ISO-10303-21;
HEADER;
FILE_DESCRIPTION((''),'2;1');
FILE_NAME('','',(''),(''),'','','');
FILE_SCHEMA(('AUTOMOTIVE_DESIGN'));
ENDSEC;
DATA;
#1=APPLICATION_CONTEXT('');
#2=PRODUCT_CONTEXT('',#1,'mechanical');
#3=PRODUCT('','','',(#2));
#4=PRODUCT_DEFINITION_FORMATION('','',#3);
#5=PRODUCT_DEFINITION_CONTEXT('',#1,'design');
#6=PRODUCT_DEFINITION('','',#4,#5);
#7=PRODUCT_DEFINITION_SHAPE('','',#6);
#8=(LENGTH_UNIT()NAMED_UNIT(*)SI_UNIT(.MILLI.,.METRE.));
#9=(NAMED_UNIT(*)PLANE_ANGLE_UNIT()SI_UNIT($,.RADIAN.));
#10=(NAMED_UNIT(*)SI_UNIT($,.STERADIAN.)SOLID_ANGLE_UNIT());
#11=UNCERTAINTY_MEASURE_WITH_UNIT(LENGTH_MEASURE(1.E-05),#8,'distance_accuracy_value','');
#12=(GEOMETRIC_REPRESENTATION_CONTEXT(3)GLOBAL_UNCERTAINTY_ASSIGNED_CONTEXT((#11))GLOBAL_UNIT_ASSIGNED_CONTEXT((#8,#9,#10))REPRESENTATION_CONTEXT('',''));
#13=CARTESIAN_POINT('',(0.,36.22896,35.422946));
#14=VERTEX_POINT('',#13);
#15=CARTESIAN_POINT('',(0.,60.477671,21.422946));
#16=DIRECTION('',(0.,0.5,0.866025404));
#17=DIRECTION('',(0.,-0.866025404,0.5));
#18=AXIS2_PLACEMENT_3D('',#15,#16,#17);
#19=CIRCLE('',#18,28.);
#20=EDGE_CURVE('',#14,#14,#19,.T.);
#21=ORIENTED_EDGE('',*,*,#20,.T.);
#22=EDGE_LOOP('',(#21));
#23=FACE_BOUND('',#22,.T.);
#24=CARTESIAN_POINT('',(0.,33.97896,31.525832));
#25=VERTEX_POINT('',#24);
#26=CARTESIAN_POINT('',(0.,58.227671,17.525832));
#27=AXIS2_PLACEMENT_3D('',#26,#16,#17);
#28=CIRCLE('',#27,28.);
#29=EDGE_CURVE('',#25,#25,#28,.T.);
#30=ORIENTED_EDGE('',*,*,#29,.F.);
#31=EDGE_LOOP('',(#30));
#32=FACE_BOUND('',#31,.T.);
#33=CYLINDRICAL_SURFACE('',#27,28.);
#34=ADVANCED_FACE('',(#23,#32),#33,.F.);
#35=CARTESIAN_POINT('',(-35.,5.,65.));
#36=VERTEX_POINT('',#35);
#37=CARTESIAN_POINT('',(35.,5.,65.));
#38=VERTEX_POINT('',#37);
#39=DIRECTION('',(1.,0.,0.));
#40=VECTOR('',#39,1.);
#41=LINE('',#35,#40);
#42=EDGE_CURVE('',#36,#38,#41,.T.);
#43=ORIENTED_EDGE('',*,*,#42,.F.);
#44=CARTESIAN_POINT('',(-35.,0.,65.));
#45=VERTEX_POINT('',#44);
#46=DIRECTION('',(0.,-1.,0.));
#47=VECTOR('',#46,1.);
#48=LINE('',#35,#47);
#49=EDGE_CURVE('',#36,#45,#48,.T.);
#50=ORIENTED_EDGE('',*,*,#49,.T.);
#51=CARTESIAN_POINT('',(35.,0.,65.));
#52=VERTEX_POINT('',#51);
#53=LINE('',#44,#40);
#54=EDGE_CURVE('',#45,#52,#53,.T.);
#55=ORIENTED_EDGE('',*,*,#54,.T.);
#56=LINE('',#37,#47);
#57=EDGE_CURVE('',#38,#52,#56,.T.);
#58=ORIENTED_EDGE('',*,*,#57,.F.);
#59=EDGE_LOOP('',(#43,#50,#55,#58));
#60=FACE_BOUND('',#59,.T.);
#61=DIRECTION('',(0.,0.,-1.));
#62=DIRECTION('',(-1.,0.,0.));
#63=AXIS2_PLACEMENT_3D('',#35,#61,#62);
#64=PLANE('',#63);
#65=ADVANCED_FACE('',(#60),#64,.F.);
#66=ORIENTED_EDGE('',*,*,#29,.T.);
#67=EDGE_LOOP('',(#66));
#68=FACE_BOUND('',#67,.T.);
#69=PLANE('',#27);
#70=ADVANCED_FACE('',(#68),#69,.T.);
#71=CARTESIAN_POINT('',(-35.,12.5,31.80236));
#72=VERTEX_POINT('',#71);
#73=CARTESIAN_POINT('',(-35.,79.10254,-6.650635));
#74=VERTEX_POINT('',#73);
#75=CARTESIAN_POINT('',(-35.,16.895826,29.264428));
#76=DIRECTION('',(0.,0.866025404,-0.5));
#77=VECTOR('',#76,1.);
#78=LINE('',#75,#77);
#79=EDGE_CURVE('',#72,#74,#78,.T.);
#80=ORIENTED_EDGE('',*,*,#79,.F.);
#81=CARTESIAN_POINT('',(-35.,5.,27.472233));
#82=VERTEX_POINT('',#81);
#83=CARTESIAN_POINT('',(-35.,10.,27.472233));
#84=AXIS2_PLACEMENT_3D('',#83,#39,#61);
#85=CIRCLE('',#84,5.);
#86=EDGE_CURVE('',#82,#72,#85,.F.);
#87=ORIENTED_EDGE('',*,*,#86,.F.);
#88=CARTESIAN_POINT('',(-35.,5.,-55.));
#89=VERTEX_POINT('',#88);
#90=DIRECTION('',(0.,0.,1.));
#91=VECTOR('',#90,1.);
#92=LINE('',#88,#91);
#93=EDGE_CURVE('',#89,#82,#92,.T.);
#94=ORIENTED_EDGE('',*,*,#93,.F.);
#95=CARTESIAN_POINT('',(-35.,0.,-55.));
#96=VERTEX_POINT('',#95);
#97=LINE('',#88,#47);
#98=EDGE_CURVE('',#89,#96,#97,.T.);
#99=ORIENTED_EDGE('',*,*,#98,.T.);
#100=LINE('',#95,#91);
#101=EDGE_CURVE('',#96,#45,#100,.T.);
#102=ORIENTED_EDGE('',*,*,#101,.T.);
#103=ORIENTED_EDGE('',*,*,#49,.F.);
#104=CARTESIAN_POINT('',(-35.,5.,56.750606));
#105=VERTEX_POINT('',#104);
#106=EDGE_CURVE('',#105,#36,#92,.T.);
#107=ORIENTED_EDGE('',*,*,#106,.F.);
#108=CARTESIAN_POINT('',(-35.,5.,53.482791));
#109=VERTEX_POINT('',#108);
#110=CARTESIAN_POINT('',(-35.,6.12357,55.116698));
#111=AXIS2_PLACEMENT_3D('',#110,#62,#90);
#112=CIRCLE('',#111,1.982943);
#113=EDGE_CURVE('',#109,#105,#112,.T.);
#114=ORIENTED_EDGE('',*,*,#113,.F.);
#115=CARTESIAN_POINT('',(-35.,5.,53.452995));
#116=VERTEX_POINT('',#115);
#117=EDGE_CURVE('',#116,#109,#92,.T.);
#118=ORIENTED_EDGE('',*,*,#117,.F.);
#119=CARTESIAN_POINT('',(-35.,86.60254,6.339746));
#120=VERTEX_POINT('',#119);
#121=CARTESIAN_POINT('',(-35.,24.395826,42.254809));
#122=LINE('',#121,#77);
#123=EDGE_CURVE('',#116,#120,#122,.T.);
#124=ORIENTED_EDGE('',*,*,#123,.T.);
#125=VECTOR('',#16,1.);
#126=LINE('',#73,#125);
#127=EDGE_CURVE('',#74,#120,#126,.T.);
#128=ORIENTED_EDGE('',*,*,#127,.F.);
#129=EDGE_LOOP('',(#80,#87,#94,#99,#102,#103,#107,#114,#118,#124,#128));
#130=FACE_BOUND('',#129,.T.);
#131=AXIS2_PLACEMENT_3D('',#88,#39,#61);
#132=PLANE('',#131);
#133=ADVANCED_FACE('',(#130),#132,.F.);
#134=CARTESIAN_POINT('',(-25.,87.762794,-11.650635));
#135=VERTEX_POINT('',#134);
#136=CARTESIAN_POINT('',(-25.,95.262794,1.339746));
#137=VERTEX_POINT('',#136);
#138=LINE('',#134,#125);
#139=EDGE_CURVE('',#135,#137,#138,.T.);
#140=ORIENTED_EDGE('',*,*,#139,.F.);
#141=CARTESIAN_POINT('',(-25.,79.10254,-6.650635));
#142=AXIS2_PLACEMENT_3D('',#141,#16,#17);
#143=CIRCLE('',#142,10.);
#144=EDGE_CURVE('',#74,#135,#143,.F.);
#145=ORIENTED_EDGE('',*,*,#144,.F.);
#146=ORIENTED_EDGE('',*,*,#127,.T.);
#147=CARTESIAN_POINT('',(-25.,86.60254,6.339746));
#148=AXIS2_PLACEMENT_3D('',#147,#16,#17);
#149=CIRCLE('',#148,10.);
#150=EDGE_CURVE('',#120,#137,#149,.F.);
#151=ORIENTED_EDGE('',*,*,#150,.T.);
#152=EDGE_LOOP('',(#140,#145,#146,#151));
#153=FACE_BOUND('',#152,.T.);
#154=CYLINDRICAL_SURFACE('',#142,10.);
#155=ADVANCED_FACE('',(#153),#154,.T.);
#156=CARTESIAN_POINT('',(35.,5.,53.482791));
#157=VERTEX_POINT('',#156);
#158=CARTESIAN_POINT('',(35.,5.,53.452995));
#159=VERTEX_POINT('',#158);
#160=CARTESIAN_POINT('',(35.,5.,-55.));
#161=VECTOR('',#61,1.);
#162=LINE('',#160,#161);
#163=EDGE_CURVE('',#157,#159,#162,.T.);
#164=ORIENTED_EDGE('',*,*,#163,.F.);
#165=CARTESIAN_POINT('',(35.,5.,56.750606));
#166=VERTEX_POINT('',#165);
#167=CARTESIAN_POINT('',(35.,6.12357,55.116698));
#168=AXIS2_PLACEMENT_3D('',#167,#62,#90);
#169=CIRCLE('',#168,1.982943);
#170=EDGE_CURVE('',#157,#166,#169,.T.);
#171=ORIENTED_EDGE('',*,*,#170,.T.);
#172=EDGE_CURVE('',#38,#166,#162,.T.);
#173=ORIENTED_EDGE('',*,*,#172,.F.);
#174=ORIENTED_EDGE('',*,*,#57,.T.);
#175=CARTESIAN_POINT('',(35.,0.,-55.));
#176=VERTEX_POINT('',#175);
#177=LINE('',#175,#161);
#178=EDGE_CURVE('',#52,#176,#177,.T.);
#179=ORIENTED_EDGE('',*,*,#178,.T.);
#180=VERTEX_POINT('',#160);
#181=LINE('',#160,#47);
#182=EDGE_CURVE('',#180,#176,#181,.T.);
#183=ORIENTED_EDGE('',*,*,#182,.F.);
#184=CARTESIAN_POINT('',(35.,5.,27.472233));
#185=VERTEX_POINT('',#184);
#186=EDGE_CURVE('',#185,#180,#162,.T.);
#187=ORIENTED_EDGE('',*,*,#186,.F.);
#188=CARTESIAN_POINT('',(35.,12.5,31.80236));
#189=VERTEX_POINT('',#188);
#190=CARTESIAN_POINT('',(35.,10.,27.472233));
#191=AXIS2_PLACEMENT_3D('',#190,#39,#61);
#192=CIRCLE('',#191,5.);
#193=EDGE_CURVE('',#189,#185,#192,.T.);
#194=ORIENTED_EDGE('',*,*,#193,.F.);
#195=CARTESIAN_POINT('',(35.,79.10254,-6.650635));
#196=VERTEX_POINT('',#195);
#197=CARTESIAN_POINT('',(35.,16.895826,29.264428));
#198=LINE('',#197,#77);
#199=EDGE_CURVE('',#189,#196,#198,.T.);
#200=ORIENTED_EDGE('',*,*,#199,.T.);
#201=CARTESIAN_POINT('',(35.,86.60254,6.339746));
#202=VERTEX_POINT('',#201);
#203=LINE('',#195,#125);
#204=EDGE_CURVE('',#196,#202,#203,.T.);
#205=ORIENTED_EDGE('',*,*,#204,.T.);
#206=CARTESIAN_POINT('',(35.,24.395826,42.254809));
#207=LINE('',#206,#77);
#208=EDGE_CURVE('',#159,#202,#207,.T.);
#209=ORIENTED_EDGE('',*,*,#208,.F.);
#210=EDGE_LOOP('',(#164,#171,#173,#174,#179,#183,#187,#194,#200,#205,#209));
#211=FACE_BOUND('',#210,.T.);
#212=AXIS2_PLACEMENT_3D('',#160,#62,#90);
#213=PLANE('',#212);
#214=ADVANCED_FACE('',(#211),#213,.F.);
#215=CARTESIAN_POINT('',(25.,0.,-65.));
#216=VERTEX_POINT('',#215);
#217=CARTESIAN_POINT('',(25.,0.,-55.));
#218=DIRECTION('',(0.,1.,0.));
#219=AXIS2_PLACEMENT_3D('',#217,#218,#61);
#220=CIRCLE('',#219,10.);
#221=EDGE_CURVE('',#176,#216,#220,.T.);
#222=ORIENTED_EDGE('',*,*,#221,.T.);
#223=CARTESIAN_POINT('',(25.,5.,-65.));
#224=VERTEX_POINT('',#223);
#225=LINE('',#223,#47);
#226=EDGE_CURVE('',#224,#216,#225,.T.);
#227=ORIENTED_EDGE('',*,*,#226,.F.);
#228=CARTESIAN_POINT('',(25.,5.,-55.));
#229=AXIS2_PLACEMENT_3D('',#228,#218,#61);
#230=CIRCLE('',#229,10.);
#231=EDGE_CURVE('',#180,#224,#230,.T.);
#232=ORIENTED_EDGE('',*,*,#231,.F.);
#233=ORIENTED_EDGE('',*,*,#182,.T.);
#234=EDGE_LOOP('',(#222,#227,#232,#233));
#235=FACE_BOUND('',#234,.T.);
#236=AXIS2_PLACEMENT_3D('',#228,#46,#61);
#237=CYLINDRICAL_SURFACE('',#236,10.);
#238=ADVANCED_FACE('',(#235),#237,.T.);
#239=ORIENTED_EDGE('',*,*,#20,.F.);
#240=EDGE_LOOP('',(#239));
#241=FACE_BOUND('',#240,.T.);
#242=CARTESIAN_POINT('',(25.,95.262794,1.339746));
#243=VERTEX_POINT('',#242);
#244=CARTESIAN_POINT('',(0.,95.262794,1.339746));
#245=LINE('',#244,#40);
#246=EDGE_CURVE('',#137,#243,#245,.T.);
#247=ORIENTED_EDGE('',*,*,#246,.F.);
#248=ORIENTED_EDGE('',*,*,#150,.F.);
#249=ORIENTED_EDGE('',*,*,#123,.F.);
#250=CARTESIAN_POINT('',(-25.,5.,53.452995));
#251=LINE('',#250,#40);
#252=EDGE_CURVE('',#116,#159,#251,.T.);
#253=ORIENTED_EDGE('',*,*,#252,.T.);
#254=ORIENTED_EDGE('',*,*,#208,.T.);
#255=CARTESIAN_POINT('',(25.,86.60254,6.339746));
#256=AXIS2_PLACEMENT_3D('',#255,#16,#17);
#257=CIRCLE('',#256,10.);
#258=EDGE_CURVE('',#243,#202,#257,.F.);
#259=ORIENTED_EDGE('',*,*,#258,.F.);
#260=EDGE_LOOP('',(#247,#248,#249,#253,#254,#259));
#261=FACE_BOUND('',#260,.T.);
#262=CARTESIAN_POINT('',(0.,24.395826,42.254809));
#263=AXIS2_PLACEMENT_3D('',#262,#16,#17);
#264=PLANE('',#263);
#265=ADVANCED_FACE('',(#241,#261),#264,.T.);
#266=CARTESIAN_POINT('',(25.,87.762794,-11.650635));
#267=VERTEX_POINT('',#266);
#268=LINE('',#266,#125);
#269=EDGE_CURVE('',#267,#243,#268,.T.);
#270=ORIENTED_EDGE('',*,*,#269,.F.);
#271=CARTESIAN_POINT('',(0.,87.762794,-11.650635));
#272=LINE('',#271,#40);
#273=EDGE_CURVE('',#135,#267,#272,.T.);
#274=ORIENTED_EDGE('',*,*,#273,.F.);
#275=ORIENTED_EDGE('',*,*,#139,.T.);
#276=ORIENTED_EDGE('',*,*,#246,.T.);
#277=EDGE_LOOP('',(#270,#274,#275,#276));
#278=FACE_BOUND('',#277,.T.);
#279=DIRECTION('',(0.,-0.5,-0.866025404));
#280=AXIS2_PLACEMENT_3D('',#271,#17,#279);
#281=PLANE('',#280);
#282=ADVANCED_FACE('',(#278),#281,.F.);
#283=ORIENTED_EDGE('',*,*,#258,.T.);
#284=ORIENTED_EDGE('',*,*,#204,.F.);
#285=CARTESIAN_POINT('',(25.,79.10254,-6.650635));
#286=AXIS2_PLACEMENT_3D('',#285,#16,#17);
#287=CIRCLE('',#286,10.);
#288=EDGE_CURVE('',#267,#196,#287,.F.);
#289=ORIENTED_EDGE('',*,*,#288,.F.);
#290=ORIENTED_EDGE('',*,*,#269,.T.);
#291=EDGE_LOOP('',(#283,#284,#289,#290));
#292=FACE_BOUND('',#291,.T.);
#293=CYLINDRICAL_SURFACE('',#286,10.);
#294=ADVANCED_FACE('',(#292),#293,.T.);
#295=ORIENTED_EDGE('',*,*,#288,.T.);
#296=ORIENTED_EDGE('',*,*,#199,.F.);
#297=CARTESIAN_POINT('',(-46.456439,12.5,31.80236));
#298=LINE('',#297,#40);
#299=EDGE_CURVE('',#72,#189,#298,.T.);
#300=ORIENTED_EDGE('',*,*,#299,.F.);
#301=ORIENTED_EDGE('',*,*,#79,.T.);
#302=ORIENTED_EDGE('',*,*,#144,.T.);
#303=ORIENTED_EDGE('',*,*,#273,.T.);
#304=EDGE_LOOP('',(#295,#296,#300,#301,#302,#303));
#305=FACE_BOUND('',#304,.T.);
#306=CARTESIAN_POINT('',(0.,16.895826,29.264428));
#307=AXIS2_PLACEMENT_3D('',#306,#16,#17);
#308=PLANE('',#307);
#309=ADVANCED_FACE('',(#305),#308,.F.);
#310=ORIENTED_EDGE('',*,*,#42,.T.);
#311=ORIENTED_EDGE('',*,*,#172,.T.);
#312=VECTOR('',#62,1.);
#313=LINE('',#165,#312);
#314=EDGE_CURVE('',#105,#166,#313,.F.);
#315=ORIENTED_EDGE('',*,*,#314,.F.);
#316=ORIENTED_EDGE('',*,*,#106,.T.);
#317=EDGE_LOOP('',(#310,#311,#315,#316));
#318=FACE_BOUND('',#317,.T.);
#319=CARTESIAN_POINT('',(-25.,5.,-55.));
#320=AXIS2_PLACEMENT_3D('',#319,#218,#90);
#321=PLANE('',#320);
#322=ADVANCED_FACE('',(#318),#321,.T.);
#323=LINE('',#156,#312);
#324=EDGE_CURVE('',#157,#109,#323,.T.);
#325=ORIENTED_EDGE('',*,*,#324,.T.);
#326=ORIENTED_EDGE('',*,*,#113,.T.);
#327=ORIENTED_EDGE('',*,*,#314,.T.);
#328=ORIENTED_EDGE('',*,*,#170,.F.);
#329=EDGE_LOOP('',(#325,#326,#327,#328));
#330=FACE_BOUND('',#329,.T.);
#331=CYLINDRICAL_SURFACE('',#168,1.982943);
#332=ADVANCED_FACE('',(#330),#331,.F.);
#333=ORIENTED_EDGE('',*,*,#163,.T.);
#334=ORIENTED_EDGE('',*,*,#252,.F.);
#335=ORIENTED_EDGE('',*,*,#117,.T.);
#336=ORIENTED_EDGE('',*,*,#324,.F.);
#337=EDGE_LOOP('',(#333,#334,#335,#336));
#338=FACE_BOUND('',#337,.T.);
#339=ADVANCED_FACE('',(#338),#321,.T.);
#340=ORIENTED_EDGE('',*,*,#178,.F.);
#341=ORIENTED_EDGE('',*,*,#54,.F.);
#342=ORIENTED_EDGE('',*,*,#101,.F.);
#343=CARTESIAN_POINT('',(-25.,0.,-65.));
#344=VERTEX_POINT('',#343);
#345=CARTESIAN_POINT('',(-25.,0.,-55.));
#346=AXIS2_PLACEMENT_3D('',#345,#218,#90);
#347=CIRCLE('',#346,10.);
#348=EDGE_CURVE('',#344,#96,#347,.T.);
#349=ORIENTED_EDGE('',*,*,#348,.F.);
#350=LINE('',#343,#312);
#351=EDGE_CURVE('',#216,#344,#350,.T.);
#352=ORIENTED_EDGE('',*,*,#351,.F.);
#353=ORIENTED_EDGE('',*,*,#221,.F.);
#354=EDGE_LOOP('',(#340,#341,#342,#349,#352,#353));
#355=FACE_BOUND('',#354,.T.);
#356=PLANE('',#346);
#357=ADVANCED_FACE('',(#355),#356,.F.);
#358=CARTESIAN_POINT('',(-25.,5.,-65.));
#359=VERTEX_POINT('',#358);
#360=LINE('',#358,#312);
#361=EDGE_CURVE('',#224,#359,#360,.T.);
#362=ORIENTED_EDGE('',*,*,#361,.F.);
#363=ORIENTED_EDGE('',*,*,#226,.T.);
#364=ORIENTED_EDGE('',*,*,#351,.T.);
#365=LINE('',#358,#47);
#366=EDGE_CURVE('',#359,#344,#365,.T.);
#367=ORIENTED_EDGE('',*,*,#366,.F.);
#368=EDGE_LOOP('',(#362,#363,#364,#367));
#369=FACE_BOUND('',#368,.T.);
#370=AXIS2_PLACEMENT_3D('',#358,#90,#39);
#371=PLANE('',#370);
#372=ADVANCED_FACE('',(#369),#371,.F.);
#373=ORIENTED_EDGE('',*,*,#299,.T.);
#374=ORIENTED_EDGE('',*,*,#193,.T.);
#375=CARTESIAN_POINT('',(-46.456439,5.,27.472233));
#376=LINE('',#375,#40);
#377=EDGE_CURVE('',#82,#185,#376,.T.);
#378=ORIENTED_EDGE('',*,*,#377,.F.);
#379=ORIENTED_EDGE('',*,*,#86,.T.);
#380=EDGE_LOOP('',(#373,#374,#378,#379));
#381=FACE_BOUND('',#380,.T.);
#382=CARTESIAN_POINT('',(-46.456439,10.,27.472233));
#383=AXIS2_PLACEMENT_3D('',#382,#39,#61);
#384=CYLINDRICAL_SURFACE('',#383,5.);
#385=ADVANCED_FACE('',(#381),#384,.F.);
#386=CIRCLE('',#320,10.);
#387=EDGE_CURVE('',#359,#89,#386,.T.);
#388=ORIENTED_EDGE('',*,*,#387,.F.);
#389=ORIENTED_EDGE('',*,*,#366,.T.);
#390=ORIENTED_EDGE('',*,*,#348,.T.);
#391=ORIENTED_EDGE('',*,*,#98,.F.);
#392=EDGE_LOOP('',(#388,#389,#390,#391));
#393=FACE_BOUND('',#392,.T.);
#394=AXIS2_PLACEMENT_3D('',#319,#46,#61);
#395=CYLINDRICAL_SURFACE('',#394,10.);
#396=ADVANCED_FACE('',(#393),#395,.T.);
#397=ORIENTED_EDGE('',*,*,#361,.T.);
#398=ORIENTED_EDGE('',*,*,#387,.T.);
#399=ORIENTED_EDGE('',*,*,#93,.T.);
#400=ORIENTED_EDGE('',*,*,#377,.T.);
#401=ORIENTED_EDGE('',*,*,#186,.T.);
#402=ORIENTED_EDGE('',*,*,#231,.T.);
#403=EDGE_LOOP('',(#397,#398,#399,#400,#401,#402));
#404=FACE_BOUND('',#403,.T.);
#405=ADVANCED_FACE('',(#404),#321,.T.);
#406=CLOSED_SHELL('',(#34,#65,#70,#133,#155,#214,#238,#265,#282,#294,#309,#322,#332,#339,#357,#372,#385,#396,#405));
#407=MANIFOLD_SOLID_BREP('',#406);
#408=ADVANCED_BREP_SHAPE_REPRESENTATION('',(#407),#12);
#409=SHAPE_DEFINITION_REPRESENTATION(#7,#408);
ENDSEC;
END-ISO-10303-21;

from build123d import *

# Parameters (mm, degrees)
EXTRUDE_1_DEPTH     = 5
EXTRUDE_3_DEPTH     = 15
SKETCH_9_W          = 119.641605024
SKETCH_9_H          = 10.286902638
CUT_EXTRUDE_2_DEPTH = 165.924225025
SKETCH_10_R         = 1.982942862
CUT_EXTRUDE_3_DEPTH = 135.907375632
EXTRUDE_5_DEPTH     = 70
SKETCH_14_R         = 28
CUT_EXTRUDE_5_DEPTH = 4.5


with BuildPart() as part:
    # 草图1 → 凸台-拉伸1 (new body)
    with BuildSketch(Plane(origin=(0, 0, 0), x_dir=(1, 0, 0), z_dir=(0, 1, 0))):
        with BuildLine():
            Line((-25, 65), (25, 65))
            ThreePointArc((25, 65), (32.071067812, 62.071067812), (35, 55))
            Line((35, 55), (35, -65))
            Line((35, -65), (-35, -65))
            Line((-35, -65), (-35, 55))
            ThreePointArc((-35, 55), (-32.071067812, 62.071067812), (-25, 65))
        make_face()
    extrude(amount=EXTRUDE_1_DEPTH)

    # 草图8 → 凸台-拉伸3 (add)
    with BuildSketch(Plane(origin=(0, 24.395825623, 42.254809472), x_dir=(1, 0, 0), z_dir=(0, 0.499999999999998, 0.8660254037844398))):
        with BuildLine():
            ThreePointArc((25, 81.830127019), (32.071067812, 78.901194831), (35, 71.830127019))
            Line((35, 71.830127019), (35, -28.169872981))
            Line((35, -28.169872981), (-35, -28.169872981))
            Line((-35, -28.169872981), (-35, 71.830127019))
            ThreePointArc((-35, 71.830127019), (-32.071067812, 78.901194831), (-25, 81.830127019))
            Line((-25, 81.830127019), (25, 81.830127019))
        make_face()
    extrude(amount=-EXTRUDE_3_DEPTH)

    # 草图9 → 切除-拉伸2 (cut, through all)
    with BuildSketch(Plane.XY.offset(65)):
        with Locations((24.820802512, -5.143451319)):
            Rectangle(SKETCH_9_W, SKETCH_9_H)
    extrude(amount=-CUT_EXTRUDE_2_DEPTH, mode=Mode.SUBTRACT)

    # 草图10 → 切除-拉伸3 (cut, through all)
    with BuildSketch(Plane.ZY.offset(35)):
        with Locations((55.11669843, 6.123569619)):
            Circle(SKETCH_10_R)
    extrude(amount=-CUT_EXTRUDE_3_DEPTH, mode=Mode.SUBTRACT)

    # 草图13 → 凸台-拉伸5 (add)
    with BuildSketch(Plane(origin=(35, 0, 0), x_dir=(0, 0, -1), z_dir=(1, 0, 0))):
        with BuildLine():
            Line((-31.802359522, 12.5), (-36.132486541, 5))
            Line((-36.132486541, 5), (-27.472232503, 5))
            ThreePointArc((-27.472232503, 5), (-31.802359522, 7.5), (-31.802359522, 12.5))
        make_face()
    extrude(amount=-EXTRUDE_5_DEPTH)

    # 草图14 → 切除-拉伸5 (cut)
    with BuildSketch(Plane(origin=(0, 24.395825623, 42.254809472), x_dir=(1, 0, 0), z_dir=(0, 0.49999999999999806, 0.8660254037844398))):
        with Locations(Location((0, 41.66372629, 0), (0, 0, 270))):
            Circle(SKETCH_14_R)
    extrude(amount=-CUT_EXTRUDE_5_DEPTH, mode=Mode.SUBTRACT)


solid = part.part
